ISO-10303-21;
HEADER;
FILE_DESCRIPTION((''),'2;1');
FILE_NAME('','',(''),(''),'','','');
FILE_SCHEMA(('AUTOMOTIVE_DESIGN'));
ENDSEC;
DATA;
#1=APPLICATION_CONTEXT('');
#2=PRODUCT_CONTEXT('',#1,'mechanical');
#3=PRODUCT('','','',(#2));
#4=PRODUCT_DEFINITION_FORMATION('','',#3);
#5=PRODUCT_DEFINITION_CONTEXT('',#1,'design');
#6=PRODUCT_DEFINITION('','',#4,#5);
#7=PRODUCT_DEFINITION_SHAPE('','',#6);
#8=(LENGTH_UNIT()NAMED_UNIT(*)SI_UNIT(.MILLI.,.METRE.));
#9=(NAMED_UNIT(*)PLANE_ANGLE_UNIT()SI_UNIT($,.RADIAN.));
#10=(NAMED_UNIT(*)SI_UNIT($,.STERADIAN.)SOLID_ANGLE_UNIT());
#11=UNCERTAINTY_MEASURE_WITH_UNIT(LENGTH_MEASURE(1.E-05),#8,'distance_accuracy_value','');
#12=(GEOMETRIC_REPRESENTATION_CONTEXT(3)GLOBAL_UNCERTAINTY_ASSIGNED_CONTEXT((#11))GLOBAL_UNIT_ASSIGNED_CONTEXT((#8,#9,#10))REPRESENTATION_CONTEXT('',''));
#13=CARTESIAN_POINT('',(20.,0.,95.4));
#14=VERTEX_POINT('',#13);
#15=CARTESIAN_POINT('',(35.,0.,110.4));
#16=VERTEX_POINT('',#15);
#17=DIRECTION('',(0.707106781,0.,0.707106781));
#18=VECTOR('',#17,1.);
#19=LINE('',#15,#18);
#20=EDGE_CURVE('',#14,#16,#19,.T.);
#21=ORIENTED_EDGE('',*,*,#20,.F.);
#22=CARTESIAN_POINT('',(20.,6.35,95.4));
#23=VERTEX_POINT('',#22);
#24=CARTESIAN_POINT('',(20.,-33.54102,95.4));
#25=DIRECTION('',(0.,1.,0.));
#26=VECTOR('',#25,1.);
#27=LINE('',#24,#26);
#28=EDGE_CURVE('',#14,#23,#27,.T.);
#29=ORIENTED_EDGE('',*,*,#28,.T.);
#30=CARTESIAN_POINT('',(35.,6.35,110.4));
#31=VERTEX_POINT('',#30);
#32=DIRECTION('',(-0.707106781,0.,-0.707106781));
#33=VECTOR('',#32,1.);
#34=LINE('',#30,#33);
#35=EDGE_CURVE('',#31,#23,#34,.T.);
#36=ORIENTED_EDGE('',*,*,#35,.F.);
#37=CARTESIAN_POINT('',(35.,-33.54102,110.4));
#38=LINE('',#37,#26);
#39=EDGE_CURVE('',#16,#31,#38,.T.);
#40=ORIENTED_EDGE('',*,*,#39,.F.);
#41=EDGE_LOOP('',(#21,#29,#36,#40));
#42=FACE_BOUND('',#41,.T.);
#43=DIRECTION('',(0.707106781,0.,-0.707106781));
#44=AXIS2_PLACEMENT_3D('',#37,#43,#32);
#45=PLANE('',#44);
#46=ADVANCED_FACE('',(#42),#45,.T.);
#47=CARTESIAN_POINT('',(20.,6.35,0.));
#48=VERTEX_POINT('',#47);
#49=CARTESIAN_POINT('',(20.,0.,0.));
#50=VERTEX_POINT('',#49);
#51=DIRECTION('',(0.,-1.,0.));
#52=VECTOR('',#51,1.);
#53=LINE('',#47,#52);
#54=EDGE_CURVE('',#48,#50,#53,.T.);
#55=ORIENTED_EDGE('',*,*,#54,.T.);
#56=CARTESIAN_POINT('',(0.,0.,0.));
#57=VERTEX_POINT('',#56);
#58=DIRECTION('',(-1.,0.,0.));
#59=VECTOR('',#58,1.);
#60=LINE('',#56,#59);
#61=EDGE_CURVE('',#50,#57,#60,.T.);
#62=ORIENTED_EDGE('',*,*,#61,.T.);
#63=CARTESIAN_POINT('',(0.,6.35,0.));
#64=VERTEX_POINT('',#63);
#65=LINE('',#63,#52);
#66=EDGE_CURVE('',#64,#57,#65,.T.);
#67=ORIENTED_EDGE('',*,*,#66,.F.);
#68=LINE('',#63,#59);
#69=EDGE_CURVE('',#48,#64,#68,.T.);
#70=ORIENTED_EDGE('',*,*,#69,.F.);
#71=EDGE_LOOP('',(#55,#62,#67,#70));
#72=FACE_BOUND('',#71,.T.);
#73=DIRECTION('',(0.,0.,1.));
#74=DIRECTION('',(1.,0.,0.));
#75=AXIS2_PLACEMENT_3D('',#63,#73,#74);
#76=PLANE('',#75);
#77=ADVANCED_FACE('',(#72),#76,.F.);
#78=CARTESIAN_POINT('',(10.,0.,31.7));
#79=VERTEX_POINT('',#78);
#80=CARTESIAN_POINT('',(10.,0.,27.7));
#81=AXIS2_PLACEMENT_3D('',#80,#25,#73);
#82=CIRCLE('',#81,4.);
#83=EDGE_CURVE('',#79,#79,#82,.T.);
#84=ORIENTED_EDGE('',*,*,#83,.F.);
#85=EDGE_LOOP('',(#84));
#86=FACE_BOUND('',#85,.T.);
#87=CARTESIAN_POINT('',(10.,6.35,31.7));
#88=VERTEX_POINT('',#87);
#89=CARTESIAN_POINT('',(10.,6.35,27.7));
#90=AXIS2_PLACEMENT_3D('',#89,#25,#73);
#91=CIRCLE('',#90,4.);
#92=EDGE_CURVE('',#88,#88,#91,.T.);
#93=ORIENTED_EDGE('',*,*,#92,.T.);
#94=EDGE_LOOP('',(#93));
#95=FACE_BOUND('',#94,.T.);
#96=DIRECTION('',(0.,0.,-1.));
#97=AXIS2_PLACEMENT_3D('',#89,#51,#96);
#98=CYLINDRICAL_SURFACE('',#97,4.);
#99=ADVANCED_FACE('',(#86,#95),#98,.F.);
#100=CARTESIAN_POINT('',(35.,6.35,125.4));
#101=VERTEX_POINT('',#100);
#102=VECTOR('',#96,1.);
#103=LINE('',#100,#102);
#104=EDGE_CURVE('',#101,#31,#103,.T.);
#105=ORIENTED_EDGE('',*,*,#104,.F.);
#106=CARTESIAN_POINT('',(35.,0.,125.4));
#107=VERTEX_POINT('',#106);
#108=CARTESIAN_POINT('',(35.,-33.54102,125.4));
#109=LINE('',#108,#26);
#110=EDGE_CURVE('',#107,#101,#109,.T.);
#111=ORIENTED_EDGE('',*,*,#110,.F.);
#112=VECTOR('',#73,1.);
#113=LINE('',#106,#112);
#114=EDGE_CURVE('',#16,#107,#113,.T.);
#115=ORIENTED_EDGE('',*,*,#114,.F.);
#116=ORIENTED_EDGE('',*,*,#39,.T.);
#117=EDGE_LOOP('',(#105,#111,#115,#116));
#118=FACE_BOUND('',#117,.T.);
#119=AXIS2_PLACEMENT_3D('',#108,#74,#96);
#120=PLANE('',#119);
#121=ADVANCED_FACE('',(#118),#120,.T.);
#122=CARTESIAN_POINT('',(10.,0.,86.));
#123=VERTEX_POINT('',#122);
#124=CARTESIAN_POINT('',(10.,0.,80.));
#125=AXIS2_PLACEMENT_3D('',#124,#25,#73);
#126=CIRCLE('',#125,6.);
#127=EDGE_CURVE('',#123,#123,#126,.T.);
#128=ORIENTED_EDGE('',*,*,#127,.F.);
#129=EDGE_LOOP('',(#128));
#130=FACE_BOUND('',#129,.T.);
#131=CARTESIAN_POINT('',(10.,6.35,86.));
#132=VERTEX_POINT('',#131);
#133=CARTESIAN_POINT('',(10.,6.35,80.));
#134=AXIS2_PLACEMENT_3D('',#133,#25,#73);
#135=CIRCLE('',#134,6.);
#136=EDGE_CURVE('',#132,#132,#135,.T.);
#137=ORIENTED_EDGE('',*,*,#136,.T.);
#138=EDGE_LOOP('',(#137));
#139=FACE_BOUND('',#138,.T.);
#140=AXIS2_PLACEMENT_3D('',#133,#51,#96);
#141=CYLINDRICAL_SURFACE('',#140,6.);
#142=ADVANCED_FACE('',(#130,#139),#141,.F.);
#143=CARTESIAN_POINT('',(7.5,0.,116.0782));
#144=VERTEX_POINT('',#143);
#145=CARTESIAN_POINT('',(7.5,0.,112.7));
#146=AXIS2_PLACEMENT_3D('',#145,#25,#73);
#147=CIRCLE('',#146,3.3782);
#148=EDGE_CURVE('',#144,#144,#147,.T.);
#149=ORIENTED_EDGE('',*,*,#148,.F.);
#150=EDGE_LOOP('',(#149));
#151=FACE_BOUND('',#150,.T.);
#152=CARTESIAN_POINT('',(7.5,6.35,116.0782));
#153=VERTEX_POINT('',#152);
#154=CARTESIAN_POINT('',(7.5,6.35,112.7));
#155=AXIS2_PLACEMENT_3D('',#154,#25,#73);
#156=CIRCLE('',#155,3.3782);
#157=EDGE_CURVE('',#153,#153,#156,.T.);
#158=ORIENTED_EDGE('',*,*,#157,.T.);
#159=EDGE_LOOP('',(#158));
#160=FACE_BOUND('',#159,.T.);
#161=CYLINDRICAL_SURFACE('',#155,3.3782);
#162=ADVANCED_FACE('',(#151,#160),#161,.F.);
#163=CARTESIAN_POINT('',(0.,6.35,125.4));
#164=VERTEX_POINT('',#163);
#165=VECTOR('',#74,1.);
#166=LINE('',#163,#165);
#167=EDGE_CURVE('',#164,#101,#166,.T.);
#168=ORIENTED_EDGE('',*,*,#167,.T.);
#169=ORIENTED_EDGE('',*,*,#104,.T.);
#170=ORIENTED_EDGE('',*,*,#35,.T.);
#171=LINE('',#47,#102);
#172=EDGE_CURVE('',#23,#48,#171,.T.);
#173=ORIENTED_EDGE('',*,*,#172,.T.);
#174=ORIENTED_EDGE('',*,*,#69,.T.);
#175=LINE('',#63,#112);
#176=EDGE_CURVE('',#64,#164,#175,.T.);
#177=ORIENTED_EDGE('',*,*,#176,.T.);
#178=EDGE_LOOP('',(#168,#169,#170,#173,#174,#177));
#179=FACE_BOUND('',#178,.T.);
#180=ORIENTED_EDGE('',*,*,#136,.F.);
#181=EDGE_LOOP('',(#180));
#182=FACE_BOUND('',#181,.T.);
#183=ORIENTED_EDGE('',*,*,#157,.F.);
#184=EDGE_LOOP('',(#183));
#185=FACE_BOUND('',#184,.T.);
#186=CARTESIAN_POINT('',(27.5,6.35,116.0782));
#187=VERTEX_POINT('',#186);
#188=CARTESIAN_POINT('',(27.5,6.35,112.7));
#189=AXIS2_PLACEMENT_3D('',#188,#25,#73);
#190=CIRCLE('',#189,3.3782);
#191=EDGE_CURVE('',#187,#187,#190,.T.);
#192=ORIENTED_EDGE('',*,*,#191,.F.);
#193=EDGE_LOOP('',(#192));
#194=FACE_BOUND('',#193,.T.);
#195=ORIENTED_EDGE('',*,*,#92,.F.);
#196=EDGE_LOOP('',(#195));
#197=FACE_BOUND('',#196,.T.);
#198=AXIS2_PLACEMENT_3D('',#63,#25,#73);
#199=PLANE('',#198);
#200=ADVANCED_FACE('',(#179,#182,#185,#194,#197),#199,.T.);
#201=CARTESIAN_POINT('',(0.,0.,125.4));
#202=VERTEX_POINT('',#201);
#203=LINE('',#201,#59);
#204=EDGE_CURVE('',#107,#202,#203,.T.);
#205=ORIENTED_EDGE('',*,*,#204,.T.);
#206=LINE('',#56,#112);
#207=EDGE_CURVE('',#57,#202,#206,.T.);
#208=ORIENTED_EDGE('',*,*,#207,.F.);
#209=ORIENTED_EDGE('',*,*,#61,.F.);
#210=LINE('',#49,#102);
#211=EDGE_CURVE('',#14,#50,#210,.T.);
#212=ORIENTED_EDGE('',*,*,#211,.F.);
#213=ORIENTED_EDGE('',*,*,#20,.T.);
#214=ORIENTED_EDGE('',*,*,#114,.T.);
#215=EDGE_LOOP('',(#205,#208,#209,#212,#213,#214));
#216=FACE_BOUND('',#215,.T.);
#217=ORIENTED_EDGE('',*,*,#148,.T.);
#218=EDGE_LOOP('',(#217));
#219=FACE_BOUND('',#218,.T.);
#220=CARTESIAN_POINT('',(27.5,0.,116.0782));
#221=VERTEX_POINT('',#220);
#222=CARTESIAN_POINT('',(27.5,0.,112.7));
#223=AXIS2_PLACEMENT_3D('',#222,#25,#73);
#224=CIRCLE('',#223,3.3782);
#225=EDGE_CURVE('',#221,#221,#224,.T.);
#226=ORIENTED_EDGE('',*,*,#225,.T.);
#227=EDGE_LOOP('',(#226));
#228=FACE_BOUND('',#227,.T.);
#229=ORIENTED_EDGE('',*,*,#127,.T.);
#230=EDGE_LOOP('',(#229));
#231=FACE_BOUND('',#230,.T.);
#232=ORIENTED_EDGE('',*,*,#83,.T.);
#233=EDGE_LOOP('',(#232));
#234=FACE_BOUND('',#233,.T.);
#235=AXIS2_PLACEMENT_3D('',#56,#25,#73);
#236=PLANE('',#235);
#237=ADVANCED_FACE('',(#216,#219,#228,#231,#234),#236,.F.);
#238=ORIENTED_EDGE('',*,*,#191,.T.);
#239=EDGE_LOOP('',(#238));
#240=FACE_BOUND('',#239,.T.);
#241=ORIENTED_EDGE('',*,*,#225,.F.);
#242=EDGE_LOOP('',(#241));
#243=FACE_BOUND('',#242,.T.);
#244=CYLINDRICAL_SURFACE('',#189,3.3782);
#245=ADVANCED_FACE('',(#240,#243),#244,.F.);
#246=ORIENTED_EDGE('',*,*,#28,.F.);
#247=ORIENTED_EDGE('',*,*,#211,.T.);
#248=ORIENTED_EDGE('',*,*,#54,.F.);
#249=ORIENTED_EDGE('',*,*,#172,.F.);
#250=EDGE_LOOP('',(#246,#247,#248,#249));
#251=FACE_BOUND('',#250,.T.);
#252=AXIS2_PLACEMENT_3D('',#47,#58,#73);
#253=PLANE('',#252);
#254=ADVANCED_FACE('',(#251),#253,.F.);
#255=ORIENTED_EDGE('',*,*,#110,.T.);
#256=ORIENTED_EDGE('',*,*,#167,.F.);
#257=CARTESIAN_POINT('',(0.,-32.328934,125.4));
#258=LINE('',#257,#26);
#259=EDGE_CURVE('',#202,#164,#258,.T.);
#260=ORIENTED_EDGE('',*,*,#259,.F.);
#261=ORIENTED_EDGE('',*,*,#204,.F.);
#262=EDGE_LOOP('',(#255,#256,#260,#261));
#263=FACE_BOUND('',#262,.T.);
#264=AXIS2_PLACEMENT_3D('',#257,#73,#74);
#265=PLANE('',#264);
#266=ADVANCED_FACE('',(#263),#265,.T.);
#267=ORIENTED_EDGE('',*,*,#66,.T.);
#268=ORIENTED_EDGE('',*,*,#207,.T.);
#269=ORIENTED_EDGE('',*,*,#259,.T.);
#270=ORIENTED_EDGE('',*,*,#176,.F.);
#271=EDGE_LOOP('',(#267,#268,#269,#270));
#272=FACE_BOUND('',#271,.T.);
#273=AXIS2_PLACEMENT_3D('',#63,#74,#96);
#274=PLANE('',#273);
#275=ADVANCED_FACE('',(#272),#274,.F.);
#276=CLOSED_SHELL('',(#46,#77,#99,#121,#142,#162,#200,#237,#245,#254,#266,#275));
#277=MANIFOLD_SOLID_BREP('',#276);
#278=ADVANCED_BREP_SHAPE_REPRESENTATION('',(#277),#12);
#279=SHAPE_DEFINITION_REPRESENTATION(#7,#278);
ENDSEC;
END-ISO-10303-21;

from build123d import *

# Parameters (mm, degrees)
SKETCH2_W               = 20
SKETCH2_H               = 100
SKETCH2_R               = 6
SKETCH2_R_2             = 4
BOSS_EXTRUDE1_DEPTH     = 6.35
SKETCH4_W               = 20
SKETCH4_H               = 25.4
BOSS_EXTRUDE2_DEPTH     = 6.35
BOSS_EXTRUDE3_DEPTH     = 6.35
F_1_4_CLEARANCE_HOLE2_D = 6.7564


with BuildPart() as part:
    # Sketch2 → Boss-Extrude1 (new body)
    with BuildSketch(Plane(origin=(0, 0, 0), x_dir=(1, 0, 0), z_dir=(0, 1, 0))):
        with Locations((10, -50)):
            Rectangle(SKETCH2_W, SKETCH2_H)
        with Locations(Location((10, -80, 0), (0, 0, 270))):
            Circle(SKETCH2_R, mode=Mode.SUBTRACT)
        with Locations(Location((10, -27.7, 0), (0, 0, 270))):
            Circle(SKETCH2_R_2, mode=Mode.SUBTRACT)
    extrude(amount=BOSS_EXTRUDE1_DEPTH)

    # Sketch4 → Boss-Extrude2 (add)
    with BuildSketch(Plane(origin=(0, 6.35, 0), x_dir=(1, 0, 0), z_dir=(0, 1, 0))):
        with Locations((10, -112.7)):
            Rectangle(SKETCH4_W, SKETCH4_H)
    extrude(amount=-BOSS_EXTRUDE2_DEPTH)

    # Sketch8 → Boss-Extrude3 (add)
    with BuildSketch(Plane(origin=(0, 6.35, 0), x_dir=(1, 0, 0), z_dir=(0, 1, 0))):
        Polygon((20, -125.4), (35, -125.4), (35, -110.4), (20, -95.4), align=None)
    extrude(amount=-BOSS_EXTRUDE3_DEPTH)

    # 1/4 Clearance Hole2 (through all)
    with Locations(Plane(origin=(0, 6.35, 0), x_dir=(1, 0, 0), z_dir=(0, 1, 0))):
        with Locations((7.5, -112.7), (27.5, -112.7)):
            Hole(F_1_4_CLEARANCE_HOLE2_D / 2)


solid = part.part
